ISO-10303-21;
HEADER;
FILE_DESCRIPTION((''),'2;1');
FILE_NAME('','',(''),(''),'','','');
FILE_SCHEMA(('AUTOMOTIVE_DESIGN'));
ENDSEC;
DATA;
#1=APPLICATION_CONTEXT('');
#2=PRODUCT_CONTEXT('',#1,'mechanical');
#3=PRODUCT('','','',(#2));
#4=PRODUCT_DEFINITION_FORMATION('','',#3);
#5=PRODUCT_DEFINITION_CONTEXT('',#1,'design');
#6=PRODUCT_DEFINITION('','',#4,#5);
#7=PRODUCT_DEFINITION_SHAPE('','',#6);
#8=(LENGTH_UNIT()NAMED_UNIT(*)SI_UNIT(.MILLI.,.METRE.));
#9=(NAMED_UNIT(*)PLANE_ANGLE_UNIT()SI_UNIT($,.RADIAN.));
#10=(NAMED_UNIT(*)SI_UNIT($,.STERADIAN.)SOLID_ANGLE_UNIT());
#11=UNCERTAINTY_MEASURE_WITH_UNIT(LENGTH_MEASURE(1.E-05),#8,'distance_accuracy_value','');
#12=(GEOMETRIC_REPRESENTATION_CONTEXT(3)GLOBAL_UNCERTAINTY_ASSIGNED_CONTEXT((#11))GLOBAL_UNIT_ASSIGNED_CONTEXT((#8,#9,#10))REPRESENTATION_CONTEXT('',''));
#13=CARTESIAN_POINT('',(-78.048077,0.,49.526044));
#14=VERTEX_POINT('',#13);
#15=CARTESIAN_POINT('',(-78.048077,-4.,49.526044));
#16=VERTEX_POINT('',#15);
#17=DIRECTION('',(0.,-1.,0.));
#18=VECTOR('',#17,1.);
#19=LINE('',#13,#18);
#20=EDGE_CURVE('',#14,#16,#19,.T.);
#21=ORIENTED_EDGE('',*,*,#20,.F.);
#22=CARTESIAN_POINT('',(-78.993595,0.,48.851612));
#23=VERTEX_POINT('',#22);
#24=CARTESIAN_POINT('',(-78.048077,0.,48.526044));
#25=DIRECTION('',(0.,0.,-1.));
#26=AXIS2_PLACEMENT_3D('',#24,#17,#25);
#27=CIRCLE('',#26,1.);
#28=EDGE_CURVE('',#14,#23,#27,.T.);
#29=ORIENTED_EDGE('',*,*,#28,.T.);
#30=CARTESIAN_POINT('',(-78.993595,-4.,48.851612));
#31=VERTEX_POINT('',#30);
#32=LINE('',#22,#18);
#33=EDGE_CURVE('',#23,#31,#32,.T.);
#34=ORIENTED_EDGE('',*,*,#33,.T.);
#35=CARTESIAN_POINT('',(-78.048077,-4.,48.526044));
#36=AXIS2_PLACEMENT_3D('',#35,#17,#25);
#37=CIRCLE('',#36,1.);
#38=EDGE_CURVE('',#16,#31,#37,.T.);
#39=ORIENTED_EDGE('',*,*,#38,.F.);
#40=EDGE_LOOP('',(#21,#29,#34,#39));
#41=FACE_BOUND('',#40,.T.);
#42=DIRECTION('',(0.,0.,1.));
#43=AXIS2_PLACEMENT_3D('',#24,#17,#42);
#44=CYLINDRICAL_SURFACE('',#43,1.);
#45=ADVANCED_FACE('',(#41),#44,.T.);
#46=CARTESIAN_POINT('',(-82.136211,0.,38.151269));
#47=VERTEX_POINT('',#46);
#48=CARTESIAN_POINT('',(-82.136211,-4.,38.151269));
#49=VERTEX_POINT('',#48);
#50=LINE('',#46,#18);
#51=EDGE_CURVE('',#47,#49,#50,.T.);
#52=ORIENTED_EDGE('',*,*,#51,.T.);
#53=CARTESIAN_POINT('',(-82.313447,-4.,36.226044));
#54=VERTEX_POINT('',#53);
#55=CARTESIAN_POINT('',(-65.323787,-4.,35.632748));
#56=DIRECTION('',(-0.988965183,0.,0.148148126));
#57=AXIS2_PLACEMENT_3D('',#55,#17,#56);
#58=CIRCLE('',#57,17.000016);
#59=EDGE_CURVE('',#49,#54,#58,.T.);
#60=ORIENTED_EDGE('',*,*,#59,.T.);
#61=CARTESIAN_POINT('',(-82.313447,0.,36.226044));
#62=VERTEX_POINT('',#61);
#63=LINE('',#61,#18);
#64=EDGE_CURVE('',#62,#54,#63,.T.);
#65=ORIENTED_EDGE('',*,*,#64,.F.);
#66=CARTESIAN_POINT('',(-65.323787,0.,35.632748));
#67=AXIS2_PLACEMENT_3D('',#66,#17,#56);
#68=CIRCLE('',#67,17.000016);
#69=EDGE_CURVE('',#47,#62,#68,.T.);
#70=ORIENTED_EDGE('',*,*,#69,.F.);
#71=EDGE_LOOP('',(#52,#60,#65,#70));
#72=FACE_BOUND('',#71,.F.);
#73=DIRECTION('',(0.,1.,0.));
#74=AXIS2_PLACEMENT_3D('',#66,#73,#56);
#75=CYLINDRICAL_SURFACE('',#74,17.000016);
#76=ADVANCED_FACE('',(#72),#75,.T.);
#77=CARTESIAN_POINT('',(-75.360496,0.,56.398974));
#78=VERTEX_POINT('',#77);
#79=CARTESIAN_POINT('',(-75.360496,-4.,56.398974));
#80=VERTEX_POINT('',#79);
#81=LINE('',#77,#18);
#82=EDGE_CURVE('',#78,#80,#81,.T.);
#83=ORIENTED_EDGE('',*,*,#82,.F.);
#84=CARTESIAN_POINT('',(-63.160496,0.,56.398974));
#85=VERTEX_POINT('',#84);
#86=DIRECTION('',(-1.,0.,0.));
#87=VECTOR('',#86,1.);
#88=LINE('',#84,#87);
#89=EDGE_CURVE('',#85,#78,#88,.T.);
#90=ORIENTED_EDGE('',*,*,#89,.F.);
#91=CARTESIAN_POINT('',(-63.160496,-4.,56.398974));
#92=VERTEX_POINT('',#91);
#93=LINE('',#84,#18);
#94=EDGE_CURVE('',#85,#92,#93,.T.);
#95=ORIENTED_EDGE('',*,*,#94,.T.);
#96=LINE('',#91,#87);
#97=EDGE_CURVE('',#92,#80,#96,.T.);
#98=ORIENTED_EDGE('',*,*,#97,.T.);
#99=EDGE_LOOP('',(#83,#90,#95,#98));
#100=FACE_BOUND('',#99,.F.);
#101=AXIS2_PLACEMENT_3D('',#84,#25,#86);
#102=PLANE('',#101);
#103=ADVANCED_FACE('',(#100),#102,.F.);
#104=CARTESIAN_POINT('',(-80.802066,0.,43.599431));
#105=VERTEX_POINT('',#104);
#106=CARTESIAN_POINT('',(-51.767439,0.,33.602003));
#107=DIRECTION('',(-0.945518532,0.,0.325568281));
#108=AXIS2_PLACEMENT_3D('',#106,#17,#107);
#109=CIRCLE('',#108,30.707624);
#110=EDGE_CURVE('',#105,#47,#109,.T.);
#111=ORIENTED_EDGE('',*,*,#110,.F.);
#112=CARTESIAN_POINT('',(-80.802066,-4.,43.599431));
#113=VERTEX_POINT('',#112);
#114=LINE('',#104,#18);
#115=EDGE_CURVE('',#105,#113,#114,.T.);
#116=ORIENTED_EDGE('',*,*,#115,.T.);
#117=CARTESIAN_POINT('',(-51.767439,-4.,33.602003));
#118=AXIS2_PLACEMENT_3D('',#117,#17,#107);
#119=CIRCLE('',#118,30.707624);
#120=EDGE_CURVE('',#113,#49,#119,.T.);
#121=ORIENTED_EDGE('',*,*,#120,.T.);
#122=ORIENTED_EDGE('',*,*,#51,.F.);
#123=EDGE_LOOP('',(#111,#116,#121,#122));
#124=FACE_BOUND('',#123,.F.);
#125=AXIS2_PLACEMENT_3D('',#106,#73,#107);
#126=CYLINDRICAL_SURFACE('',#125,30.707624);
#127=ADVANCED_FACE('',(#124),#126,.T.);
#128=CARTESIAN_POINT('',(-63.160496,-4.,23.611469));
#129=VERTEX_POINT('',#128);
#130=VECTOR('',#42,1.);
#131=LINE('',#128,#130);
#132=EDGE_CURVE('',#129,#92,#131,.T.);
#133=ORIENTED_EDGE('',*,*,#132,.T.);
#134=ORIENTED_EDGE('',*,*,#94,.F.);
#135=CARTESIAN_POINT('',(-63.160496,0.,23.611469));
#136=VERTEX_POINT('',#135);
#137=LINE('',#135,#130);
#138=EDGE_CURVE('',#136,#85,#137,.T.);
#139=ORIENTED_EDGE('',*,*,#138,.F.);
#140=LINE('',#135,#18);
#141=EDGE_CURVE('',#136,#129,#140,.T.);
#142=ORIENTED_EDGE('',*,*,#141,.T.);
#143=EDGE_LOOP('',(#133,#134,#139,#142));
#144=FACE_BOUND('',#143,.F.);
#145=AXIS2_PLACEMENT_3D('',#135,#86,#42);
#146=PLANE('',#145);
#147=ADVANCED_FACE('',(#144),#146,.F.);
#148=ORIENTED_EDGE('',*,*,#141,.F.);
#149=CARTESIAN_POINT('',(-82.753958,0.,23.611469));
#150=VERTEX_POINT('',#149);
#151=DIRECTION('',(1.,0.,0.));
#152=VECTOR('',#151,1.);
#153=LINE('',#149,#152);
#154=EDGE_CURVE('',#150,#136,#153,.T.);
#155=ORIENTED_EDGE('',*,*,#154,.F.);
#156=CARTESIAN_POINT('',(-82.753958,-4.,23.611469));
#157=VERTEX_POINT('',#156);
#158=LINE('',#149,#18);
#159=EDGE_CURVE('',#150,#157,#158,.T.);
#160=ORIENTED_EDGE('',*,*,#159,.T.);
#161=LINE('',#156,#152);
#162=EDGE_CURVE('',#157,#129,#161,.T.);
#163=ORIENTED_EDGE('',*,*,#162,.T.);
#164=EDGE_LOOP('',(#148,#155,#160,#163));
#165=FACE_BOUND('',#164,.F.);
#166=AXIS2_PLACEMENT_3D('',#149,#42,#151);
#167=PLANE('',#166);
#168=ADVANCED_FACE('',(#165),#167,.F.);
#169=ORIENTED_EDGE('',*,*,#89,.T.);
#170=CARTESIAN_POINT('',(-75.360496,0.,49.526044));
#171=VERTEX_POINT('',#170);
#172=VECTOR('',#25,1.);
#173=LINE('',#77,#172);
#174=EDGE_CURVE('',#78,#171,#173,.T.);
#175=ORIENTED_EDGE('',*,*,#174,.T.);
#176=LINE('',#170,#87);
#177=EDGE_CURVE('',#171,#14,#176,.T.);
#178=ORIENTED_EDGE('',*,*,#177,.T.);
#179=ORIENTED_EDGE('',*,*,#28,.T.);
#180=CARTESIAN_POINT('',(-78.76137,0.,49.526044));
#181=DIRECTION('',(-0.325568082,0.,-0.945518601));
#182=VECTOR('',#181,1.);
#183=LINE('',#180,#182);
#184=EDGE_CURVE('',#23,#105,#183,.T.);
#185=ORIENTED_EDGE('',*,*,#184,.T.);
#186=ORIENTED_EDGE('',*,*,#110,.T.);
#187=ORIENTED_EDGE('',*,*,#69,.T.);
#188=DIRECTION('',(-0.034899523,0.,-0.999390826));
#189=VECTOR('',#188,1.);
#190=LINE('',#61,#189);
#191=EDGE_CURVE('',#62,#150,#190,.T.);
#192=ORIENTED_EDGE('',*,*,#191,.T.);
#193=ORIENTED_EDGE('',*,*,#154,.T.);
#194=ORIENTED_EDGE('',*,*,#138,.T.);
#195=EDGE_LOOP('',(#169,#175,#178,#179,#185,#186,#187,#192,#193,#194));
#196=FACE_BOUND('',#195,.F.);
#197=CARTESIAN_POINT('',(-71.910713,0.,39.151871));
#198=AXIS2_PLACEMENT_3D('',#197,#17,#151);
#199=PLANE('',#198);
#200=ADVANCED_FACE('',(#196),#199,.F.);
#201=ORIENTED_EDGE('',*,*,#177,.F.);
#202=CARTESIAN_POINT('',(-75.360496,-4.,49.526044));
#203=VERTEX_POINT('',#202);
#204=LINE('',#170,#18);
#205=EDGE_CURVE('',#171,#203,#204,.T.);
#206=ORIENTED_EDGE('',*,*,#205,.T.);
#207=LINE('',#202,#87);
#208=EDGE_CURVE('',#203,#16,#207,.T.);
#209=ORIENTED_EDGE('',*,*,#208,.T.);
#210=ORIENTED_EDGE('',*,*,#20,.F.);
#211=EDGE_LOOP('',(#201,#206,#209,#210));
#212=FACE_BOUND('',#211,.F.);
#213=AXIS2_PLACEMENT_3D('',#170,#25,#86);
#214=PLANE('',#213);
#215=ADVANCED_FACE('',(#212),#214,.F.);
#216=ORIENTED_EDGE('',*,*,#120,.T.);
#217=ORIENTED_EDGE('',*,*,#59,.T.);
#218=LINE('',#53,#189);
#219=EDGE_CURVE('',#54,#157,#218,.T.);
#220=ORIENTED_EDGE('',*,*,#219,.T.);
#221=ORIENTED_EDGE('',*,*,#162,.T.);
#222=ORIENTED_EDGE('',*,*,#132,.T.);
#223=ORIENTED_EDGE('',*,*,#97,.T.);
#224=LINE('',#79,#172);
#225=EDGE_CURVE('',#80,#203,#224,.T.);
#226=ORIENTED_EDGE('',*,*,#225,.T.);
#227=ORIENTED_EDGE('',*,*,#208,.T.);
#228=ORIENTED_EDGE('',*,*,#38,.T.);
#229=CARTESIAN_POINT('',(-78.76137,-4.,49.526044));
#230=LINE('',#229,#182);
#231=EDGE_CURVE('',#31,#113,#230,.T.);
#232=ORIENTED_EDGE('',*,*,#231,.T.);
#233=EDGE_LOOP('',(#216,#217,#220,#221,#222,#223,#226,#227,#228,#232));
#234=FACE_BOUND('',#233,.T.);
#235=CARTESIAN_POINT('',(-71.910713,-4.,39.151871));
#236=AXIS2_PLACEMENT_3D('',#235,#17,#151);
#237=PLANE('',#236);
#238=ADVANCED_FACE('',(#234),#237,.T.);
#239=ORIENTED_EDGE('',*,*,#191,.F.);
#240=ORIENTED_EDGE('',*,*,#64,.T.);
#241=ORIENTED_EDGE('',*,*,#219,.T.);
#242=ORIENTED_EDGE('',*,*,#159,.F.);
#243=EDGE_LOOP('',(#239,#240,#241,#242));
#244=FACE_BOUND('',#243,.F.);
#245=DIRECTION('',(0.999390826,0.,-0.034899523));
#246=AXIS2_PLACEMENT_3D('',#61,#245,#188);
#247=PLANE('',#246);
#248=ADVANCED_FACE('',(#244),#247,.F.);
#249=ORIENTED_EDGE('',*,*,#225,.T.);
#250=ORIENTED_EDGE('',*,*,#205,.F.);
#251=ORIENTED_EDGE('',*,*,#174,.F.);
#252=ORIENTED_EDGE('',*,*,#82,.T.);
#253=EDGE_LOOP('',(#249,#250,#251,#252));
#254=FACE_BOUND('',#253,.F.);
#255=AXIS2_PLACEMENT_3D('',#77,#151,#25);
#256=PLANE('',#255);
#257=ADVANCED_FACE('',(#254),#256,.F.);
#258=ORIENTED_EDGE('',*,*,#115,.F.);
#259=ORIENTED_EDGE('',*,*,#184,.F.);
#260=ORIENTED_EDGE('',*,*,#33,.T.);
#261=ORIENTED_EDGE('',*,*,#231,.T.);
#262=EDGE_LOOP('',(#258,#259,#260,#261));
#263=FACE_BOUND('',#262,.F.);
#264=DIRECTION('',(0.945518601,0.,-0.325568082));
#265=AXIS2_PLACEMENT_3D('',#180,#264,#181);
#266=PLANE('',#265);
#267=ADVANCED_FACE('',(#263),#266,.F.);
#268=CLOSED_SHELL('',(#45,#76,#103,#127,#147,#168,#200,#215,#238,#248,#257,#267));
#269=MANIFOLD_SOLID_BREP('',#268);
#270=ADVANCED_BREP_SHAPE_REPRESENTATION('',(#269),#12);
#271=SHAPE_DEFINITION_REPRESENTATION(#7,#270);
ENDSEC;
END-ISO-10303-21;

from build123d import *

# Parameters (mm, degrees)
F1_DEPTH = 4
F2_R     = 1


with BuildPart() as f1:
    # F0 (on Front) → F1 (new body)
    with BuildSketch(Plane.XZ):
        with BuildLine():
            ThreePointArc((-80.802066, 43.599431), (-81.593796, 40.905876), (-82.136211, 38.151269))
            ThreePointArc((-82.136211, 38.151269), (-82.25222, 37.191178), (-82.313447, 36.226044))
            Line((-82.313447, 36.226044), (-82.753958, 23.611469))
            Line((-82.753958, 23.611469), (-63.160496, 23.611469))
            Line((-63.160496, 23.611469), (-63.160496, 56.398974))
            Line((-63.160496, 56.398974), (-75.360496, 56.398974))
            Line((-75.360496, 56.398974), (-75.360496, 49.526044))
            Line((-75.360496, 49.526044), (-78.76137, 49.526044))
            Line((-78.76137, 49.526044), (-80.802066, 43.599431))
        make_face()
        with BuildLine():
            Line((-72.160496, 39.720159), (-81.760496, 36.226044))
            ThreePointArc((-81.760496, 36.226044), (-80.84917, 41.394429), (-79.054209, 46.326044))
            Line((-79.054209, 46.326044), (-72.160496, 46.326044))
            Line((-72.160496, 46.326044), (-72.160496, 39.720159))
        make_face(mode=Mode.SUBTRACT)
        with BuildLine():
            ThreePointArc((-79.054209, 46.326044), (-80.84917, 41.394429), (-81.760496, 36.226044))
            Line((-81.760496, 36.226044), (-72.160496, 39.720159))
            Line((-72.160496, 39.720159), (-72.160496, 46.326044))
            Line((-72.160496, 46.326044), (-79.054209, 46.326044))
        make_face()
    extrude(amount=F1_DEPTH)

    # F2
    f2_edges = [f1.edges().sort_by_distance(p)[0] for p in [
        (-78.76137, -2, 49.526044),
    ]]
    fillet(f2_edges, radius=F2_R)


solid = f1.part
